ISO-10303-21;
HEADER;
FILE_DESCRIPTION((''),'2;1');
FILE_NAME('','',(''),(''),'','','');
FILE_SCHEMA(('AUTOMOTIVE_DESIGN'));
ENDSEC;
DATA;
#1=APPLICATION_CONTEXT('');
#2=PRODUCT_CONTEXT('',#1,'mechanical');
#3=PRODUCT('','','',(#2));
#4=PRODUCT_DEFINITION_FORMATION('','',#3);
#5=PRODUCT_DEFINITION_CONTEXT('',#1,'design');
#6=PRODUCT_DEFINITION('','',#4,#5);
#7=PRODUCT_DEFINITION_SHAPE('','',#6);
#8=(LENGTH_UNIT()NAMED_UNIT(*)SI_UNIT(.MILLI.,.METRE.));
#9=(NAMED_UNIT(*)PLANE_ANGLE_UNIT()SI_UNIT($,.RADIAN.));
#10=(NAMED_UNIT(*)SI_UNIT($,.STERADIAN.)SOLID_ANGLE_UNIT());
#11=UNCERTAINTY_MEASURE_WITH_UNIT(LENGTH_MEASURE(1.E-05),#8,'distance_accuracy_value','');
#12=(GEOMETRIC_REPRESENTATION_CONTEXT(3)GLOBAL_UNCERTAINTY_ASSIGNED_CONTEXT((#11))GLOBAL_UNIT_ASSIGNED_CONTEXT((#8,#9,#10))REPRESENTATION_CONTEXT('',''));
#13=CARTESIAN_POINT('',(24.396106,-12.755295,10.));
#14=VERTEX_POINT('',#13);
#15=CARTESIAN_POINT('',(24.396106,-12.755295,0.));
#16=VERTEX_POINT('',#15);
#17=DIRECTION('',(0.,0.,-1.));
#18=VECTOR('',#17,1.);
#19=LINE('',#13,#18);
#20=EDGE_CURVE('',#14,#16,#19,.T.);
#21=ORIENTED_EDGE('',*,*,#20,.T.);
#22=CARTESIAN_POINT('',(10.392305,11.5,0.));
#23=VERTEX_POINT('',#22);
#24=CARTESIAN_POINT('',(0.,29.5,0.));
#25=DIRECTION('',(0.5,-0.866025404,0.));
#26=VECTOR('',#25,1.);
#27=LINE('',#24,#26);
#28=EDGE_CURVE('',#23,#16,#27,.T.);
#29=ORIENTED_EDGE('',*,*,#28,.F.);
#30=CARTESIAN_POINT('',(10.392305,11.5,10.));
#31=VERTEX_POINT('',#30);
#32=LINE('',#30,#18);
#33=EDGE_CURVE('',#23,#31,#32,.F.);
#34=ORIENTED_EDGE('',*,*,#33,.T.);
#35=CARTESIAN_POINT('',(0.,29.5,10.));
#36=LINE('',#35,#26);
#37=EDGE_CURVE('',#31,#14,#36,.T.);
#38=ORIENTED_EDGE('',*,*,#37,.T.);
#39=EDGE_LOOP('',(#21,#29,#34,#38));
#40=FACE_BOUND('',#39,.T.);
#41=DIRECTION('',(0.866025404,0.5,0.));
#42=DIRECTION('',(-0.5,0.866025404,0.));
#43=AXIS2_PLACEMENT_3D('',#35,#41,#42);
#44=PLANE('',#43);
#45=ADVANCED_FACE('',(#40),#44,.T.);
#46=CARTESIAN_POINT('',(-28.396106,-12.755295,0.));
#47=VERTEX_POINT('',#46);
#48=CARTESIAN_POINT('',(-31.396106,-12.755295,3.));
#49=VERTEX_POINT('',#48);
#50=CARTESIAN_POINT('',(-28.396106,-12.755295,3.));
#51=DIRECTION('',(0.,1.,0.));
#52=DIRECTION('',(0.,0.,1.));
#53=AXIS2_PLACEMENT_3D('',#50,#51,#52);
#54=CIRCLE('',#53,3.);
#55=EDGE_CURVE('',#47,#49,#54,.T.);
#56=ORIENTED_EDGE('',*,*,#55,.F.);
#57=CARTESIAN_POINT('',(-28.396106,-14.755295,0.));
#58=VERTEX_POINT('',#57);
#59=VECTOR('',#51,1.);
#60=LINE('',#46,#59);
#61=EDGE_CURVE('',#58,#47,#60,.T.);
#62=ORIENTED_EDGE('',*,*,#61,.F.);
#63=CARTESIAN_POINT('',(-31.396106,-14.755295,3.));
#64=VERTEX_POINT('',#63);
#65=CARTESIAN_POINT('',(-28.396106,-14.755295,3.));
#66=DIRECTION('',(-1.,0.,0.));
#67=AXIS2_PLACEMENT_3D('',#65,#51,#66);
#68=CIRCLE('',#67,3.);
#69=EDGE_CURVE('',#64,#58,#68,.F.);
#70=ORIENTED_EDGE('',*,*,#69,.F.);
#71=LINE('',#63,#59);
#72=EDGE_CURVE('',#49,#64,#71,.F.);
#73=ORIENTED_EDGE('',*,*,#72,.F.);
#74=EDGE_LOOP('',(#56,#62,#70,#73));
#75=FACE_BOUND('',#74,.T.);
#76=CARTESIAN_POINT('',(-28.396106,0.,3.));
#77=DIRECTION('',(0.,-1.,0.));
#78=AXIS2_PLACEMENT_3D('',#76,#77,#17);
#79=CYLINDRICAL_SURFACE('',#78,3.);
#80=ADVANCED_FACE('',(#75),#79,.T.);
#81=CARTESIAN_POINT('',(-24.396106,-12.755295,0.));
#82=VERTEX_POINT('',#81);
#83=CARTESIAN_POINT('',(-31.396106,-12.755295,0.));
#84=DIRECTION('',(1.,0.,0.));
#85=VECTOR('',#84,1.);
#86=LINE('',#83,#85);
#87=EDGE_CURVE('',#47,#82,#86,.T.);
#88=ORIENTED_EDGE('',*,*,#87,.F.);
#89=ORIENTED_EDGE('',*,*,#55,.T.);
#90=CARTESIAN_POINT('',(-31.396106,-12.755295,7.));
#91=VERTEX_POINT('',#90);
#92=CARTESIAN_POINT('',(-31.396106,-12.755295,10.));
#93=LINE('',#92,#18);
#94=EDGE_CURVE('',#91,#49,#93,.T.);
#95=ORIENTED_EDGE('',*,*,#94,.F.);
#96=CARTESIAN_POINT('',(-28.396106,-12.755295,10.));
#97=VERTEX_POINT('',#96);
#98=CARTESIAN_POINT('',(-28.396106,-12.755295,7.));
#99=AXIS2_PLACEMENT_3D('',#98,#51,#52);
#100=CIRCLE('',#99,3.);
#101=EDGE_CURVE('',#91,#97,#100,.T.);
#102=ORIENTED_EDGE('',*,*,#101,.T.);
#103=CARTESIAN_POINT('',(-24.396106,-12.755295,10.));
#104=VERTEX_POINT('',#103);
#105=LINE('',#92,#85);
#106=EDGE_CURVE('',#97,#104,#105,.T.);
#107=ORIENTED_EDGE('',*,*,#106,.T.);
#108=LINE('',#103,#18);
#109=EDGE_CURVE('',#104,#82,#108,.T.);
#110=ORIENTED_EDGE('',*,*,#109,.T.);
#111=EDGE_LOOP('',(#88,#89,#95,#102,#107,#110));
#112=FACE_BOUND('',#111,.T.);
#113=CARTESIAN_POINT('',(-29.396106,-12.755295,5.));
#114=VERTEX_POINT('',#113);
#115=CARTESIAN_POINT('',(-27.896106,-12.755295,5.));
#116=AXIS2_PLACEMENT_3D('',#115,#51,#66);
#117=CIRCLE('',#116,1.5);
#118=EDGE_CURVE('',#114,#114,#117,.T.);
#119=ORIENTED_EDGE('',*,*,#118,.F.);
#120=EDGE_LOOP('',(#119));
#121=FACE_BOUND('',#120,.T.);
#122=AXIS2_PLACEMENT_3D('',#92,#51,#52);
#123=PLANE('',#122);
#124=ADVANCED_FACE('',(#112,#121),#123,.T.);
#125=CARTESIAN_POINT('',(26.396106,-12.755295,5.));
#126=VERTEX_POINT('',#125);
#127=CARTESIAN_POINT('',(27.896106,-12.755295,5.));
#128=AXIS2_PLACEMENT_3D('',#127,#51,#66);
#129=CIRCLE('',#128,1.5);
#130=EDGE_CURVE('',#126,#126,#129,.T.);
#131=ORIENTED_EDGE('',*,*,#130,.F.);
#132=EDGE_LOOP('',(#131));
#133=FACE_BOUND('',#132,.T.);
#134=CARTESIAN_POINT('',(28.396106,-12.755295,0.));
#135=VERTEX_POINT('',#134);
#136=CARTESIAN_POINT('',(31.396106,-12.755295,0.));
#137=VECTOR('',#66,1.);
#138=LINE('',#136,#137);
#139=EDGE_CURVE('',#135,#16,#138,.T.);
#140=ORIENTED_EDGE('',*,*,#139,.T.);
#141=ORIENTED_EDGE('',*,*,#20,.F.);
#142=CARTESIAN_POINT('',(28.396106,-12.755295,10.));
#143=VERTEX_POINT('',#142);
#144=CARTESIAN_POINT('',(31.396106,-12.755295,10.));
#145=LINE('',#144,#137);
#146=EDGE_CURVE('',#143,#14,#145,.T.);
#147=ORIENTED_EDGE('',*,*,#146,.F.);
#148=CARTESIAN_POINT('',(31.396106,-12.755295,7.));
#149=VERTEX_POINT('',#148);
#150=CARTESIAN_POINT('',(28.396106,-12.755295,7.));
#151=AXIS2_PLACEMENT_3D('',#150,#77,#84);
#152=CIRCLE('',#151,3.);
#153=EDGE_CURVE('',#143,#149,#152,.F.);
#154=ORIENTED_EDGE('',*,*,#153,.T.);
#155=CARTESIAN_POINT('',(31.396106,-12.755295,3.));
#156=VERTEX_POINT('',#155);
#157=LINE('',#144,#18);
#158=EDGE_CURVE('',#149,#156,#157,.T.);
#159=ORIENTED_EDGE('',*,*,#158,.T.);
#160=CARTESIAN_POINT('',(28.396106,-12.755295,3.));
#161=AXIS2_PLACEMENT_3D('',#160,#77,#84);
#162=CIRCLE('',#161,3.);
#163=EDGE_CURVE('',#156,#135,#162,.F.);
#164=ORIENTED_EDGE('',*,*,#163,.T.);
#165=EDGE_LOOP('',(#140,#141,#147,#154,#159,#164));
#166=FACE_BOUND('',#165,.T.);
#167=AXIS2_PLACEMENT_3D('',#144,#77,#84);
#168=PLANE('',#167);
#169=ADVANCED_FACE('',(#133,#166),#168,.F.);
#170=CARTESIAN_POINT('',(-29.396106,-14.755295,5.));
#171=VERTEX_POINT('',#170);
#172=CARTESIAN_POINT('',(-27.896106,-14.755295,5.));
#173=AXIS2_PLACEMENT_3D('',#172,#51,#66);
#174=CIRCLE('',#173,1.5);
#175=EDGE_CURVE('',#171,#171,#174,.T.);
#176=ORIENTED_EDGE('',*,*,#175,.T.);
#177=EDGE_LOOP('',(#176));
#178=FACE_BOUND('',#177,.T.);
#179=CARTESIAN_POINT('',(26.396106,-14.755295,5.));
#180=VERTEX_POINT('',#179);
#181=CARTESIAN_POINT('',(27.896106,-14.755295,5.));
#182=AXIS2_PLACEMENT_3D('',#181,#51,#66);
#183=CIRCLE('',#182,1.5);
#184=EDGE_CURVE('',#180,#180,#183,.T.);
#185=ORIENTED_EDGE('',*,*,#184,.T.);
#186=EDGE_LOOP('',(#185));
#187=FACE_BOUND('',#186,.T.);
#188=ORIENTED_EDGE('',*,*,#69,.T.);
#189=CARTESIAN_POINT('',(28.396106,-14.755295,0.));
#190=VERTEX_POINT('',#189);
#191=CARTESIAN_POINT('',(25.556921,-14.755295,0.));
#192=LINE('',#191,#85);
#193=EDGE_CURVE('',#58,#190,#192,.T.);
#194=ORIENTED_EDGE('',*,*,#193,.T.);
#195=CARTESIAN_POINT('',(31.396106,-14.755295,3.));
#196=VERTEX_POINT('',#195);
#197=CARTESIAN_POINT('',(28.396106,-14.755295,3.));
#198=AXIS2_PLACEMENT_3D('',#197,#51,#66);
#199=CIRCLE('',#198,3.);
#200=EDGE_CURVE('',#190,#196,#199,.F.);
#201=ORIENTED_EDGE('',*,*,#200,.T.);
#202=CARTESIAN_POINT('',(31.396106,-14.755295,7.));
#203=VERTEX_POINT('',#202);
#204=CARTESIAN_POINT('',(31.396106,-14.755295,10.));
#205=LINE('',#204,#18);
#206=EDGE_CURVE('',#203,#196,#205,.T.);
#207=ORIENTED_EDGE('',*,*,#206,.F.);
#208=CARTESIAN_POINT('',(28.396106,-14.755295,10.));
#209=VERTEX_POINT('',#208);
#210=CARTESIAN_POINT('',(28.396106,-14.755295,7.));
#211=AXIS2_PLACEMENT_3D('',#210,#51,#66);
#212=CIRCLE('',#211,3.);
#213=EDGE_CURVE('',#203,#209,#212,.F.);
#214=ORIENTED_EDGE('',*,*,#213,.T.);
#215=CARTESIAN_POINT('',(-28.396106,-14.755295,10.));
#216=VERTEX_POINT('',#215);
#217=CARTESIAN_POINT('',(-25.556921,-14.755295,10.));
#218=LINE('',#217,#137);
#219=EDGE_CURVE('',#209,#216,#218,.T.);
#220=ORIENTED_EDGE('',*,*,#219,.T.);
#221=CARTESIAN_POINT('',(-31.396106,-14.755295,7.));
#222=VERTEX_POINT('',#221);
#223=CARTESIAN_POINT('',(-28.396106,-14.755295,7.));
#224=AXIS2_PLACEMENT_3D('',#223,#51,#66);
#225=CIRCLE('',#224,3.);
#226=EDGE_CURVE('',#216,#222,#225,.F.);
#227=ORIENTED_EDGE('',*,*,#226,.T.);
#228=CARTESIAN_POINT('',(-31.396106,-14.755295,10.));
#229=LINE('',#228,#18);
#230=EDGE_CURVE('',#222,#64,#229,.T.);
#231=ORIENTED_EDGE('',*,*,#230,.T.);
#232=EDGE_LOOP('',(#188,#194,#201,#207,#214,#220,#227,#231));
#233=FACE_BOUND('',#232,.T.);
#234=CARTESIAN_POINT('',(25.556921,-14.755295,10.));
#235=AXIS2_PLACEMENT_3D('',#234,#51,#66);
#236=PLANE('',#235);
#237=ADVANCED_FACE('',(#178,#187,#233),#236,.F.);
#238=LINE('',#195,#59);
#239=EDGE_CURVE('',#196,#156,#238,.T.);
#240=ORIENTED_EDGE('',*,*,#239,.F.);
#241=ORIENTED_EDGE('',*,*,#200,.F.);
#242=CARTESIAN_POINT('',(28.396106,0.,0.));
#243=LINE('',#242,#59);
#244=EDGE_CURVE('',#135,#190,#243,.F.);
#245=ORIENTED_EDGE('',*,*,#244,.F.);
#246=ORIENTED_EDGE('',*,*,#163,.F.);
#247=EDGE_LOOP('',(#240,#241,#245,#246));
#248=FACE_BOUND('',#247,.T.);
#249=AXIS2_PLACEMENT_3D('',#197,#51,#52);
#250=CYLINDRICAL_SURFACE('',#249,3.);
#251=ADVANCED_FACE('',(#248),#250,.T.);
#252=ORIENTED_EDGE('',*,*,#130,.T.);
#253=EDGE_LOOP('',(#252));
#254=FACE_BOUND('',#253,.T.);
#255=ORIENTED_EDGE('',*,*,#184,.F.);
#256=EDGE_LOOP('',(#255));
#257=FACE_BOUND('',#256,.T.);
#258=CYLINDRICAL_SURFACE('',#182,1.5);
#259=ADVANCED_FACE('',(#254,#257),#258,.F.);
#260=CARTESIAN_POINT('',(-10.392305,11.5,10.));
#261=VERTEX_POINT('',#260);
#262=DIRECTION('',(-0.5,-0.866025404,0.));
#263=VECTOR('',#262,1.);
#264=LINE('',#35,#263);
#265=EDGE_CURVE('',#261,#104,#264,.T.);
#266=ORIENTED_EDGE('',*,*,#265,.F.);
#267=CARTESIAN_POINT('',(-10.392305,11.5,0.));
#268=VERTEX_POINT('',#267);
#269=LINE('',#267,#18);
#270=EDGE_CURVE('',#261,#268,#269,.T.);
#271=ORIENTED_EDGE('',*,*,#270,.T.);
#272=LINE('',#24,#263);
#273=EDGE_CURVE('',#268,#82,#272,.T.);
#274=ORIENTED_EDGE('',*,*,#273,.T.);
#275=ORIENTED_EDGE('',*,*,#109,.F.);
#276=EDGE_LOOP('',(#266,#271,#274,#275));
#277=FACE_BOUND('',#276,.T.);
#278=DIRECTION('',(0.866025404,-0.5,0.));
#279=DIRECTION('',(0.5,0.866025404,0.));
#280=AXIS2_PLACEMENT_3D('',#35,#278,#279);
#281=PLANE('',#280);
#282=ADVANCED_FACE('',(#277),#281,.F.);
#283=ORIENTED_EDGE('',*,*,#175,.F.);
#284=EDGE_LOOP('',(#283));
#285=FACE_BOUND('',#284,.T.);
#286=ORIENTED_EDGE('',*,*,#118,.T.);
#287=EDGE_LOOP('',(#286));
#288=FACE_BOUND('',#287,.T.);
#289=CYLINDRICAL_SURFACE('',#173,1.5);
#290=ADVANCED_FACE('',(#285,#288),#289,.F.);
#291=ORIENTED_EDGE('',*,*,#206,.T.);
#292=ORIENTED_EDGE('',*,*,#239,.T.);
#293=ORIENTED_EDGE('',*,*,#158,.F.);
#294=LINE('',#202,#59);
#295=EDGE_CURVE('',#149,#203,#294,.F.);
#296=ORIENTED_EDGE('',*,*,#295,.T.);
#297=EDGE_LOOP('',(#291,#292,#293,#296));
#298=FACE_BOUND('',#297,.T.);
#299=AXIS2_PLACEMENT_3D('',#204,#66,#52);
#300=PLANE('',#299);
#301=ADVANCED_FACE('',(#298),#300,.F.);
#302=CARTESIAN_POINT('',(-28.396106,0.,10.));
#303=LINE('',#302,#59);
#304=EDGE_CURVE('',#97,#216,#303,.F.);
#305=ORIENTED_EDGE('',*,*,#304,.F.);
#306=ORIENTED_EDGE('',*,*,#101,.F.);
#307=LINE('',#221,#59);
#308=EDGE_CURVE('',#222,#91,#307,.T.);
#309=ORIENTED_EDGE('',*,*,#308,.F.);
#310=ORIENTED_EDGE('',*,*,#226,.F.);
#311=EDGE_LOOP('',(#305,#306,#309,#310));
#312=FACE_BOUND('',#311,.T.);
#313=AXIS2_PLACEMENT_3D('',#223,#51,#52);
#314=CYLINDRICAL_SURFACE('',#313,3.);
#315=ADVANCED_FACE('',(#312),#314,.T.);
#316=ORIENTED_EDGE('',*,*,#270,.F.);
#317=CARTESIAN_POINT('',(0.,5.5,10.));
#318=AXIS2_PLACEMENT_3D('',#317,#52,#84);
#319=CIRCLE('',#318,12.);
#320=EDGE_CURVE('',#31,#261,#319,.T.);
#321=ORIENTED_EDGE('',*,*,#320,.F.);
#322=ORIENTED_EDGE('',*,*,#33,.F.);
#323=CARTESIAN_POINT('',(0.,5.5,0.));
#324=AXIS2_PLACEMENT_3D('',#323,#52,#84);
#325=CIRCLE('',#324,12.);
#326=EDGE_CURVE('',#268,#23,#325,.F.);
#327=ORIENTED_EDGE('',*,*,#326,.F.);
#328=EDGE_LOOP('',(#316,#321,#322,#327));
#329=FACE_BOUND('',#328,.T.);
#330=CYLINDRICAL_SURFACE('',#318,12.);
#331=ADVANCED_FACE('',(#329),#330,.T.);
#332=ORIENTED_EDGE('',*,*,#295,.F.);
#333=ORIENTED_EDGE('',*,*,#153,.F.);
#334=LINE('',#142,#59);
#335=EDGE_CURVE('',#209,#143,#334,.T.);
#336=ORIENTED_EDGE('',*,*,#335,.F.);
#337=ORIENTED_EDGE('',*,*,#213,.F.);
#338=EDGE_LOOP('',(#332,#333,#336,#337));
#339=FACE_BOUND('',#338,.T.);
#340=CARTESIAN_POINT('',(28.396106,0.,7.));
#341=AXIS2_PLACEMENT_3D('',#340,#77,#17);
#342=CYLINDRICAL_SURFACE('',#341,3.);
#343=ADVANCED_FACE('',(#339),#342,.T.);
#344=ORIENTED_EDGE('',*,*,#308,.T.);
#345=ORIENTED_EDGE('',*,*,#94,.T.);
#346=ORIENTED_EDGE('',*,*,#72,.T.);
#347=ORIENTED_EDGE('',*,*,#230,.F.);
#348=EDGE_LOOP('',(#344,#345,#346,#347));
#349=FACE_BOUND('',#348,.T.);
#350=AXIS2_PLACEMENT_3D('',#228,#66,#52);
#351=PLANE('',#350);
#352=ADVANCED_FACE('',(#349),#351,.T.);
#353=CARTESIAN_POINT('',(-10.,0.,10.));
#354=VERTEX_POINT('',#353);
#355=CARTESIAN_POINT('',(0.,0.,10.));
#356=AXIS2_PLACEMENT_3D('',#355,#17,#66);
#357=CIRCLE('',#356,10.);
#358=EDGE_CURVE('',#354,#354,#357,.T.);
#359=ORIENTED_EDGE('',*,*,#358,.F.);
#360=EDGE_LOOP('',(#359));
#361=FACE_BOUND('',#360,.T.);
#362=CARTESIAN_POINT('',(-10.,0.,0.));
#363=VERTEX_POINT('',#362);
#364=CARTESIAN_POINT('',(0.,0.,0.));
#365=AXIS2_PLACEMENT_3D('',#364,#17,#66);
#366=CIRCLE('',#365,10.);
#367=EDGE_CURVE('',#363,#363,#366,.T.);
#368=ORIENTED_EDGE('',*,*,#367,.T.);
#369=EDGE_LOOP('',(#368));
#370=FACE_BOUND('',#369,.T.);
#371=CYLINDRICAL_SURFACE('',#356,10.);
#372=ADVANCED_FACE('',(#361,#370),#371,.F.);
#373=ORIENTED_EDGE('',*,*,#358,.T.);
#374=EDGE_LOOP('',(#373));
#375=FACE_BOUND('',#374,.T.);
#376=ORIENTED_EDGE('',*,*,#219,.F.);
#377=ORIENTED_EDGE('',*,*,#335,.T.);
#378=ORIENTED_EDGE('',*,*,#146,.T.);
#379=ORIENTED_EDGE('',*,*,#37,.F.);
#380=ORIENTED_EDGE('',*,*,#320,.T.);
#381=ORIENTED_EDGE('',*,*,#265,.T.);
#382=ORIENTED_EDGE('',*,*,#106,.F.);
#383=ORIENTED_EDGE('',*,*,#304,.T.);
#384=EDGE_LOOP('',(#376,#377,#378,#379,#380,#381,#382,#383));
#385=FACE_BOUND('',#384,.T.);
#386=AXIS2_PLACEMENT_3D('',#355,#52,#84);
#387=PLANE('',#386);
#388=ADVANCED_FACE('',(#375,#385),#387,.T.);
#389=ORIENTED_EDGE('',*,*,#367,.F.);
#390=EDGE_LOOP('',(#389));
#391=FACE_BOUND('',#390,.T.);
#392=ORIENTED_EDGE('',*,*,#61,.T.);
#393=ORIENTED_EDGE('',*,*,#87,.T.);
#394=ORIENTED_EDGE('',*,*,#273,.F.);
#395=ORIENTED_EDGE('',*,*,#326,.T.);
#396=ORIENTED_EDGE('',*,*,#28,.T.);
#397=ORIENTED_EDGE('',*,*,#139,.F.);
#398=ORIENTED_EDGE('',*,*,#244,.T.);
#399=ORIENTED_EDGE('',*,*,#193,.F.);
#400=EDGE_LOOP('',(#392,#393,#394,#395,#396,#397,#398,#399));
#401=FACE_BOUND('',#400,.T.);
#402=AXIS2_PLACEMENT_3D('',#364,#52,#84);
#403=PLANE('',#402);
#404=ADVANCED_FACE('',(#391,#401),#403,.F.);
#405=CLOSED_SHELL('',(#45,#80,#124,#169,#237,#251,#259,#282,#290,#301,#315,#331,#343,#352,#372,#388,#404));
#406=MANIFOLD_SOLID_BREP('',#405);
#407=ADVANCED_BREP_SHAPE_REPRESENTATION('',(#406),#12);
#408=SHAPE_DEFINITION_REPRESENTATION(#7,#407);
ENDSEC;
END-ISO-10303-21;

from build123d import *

# Parameters (mm, degrees)
SALIENTE_EXTRUIR3_DEPTH = 10
CROQUIS3_R              = 10
CORTAR_EXTRUIR1_DEPTH   = 10
REDONDEO2_R             = 12
CROQUIS4_R              = 1.5
CORTAR_EXTRUIR2_DEPTH   = 45.733638102
REDONDEO3_R             = 3


with BuildPart() as part:
    # Croquis1 → Saliente-Extruir3 (new body)
    with BuildSketch(Plane.XY):
        Polygon((0, 29.5), (-24.396106146, -12.755295351), (-31.396106146, -12.755295351), (-31.396106146, -14.755295351), (-25.556921229, -14.755295351), (25.556921229, -14.755295351), (31.396106146, -14.755295351), (31.396106146, -12.755295351), (24.396106146, -12.755295351), align=None)
    extrude(amount=SALIENTE_EXTRUIR3_DEPTH)

    # Croquis3 → Cortar-Extruir1 (cut)
    with BuildSketch(Plane(origin=(0, 0, 0), x_dir=(-1, 0, 0), z_dir=(0, 0, -1))):
        Circle(CROQUIS3_R)
    extrude(amount=-CORTAR_EXTRUIR1_DEPTH, mode=Mode.SUBTRACT)

    # Redondeo2
    redondeo2_edges = [part.edges().sort_by_distance(p)[0] for p in [
        (0, 29.5, 5),
    ]]
    fillet(redondeo2_edges, radius=REDONDEO2_R)

    # Croquis4 → Cortar-Extruir2 (cut, through all)
    with BuildSketch(Plane(origin=(0, -12.755295351, 0), x_dir=(1, 0, 0), z_dir=(0, 1, 0))):
        with Locations(Location((27.896106146, -5, 0), (0, 0, 180))):
            Circle(CROQUIS4_R)
        with Locations(Location((-27.896106146, -5, 0), (0, 0, 180))):
            Circle(CROQUIS4_R)
    extrude(amount=-CORTAR_EXTRUIR2_DEPTH, mode=Mode.SUBTRACT)

    # Redondeo3
    redondeo3_edges = [part.edges().sort_by_distance(p)[0] for p in [
        (-31.396106146, -13.755295351, 10),
        (-31.396106146, -13.755295351, 0),
        (31.396106146, -13.755295351, 10),
        (31.396106146, -13.755295351, 0),
    ]]
    fillet(redondeo3_edges, radius=REDONDEO3_R)


solid = part.part
